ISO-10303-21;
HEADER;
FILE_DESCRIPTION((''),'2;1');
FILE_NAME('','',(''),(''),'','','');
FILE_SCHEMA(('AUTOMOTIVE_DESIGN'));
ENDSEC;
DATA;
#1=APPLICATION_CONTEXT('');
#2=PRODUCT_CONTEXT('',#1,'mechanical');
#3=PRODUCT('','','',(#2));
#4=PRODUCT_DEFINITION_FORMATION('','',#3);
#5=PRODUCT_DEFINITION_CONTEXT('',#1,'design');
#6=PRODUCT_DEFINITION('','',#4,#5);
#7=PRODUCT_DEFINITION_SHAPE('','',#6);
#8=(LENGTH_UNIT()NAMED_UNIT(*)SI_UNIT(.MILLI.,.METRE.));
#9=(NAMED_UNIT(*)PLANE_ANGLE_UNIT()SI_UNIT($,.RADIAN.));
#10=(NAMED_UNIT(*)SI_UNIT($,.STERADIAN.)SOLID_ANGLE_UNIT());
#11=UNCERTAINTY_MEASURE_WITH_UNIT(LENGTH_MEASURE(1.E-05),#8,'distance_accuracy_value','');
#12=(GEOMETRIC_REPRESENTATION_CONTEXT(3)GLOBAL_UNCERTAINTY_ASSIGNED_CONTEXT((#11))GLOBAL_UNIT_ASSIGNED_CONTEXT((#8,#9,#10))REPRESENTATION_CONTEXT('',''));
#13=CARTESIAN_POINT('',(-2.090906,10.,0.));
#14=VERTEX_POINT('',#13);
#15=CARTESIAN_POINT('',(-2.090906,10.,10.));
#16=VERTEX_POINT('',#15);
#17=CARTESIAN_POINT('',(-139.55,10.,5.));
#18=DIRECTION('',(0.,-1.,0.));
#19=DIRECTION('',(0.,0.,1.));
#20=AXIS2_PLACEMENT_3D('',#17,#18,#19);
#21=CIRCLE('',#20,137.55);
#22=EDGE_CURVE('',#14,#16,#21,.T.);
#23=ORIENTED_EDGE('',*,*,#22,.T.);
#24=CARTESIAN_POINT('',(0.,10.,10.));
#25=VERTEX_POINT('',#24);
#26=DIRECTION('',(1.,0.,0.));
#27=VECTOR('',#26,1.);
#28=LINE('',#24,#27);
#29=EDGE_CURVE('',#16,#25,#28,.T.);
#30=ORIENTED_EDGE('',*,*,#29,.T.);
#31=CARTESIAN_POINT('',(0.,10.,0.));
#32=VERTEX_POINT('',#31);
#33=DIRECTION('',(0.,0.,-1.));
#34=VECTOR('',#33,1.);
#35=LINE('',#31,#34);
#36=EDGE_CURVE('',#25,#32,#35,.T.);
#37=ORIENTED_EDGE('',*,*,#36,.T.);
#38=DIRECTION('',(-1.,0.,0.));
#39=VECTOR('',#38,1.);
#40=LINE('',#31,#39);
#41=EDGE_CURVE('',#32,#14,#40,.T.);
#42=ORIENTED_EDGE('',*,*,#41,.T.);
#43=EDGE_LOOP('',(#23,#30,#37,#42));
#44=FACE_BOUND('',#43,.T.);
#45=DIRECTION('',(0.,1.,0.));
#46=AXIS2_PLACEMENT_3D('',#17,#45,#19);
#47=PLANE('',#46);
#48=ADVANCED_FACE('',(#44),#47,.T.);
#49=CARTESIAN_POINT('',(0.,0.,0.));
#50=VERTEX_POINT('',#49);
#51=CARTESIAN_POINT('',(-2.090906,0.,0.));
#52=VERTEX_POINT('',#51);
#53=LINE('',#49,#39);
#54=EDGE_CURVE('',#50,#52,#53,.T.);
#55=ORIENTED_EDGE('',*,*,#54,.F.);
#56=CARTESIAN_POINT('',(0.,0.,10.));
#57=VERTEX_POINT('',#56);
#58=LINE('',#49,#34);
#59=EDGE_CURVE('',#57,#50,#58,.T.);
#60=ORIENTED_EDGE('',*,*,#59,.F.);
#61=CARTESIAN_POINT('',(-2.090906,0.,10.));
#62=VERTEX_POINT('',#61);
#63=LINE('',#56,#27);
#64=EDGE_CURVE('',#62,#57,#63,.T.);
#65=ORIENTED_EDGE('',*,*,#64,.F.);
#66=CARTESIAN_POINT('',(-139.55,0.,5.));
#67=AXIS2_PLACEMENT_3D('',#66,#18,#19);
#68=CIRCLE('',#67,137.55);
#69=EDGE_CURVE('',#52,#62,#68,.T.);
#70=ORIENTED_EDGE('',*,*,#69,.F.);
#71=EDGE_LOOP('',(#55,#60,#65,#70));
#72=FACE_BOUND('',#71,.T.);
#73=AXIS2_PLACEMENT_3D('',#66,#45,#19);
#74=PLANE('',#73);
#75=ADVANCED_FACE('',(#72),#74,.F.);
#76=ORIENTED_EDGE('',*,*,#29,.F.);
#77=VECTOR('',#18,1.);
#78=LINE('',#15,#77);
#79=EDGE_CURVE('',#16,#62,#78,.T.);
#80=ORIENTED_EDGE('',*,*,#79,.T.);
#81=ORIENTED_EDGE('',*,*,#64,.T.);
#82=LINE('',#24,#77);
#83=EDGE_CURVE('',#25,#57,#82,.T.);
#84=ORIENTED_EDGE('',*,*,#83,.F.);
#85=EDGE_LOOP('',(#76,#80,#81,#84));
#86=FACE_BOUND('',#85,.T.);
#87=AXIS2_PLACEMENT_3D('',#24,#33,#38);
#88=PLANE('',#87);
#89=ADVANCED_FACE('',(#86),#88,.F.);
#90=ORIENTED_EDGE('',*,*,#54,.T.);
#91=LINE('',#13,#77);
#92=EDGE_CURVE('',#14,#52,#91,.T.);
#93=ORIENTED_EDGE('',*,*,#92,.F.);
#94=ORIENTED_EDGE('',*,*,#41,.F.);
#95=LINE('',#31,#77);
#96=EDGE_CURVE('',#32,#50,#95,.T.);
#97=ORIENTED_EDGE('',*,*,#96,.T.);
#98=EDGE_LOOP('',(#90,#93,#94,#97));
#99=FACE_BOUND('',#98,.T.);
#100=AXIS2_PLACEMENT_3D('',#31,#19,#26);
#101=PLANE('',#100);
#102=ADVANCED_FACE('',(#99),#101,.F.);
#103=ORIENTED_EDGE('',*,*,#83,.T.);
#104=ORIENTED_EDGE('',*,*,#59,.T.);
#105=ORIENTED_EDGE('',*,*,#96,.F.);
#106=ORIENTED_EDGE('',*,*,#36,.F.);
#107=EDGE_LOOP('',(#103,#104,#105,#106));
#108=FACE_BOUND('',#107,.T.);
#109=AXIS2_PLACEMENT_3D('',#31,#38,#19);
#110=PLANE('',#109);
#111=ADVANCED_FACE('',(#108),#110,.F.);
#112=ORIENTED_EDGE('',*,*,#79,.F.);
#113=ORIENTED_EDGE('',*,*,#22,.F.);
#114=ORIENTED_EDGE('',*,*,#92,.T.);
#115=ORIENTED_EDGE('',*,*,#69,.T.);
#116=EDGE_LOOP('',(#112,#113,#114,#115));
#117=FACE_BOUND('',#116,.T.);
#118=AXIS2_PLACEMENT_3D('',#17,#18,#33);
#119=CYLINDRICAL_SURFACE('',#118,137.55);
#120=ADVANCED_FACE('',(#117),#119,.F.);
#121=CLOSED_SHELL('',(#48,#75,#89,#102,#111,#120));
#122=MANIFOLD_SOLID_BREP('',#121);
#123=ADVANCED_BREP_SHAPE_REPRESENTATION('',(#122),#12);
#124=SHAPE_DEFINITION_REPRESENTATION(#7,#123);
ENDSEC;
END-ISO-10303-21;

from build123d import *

# Parameters (mm, degrees)
EXTRUDE_1_DEPTH = 10


with BuildPart() as part:
    # 草图1 → 凸台-拉伸1 (new body)
    with BuildSketch(Plane(origin=(0, 0, 0), x_dir=(1, 0, 0), z_dir=(0, 1, 0))):
        with BuildLine():
            Line((0, 0), (0, -10))
            Line((0, -10), (-2.090906085, -10))
            ThreePointArc((-2.090906085, -10), (-2, -5), (-2.090906085, 0))
            Line((-2.090906085, 0), (0, 0))
        make_face()
    extrude(amount=EXTRUDE_1_DEPTH)


solid = part.part
